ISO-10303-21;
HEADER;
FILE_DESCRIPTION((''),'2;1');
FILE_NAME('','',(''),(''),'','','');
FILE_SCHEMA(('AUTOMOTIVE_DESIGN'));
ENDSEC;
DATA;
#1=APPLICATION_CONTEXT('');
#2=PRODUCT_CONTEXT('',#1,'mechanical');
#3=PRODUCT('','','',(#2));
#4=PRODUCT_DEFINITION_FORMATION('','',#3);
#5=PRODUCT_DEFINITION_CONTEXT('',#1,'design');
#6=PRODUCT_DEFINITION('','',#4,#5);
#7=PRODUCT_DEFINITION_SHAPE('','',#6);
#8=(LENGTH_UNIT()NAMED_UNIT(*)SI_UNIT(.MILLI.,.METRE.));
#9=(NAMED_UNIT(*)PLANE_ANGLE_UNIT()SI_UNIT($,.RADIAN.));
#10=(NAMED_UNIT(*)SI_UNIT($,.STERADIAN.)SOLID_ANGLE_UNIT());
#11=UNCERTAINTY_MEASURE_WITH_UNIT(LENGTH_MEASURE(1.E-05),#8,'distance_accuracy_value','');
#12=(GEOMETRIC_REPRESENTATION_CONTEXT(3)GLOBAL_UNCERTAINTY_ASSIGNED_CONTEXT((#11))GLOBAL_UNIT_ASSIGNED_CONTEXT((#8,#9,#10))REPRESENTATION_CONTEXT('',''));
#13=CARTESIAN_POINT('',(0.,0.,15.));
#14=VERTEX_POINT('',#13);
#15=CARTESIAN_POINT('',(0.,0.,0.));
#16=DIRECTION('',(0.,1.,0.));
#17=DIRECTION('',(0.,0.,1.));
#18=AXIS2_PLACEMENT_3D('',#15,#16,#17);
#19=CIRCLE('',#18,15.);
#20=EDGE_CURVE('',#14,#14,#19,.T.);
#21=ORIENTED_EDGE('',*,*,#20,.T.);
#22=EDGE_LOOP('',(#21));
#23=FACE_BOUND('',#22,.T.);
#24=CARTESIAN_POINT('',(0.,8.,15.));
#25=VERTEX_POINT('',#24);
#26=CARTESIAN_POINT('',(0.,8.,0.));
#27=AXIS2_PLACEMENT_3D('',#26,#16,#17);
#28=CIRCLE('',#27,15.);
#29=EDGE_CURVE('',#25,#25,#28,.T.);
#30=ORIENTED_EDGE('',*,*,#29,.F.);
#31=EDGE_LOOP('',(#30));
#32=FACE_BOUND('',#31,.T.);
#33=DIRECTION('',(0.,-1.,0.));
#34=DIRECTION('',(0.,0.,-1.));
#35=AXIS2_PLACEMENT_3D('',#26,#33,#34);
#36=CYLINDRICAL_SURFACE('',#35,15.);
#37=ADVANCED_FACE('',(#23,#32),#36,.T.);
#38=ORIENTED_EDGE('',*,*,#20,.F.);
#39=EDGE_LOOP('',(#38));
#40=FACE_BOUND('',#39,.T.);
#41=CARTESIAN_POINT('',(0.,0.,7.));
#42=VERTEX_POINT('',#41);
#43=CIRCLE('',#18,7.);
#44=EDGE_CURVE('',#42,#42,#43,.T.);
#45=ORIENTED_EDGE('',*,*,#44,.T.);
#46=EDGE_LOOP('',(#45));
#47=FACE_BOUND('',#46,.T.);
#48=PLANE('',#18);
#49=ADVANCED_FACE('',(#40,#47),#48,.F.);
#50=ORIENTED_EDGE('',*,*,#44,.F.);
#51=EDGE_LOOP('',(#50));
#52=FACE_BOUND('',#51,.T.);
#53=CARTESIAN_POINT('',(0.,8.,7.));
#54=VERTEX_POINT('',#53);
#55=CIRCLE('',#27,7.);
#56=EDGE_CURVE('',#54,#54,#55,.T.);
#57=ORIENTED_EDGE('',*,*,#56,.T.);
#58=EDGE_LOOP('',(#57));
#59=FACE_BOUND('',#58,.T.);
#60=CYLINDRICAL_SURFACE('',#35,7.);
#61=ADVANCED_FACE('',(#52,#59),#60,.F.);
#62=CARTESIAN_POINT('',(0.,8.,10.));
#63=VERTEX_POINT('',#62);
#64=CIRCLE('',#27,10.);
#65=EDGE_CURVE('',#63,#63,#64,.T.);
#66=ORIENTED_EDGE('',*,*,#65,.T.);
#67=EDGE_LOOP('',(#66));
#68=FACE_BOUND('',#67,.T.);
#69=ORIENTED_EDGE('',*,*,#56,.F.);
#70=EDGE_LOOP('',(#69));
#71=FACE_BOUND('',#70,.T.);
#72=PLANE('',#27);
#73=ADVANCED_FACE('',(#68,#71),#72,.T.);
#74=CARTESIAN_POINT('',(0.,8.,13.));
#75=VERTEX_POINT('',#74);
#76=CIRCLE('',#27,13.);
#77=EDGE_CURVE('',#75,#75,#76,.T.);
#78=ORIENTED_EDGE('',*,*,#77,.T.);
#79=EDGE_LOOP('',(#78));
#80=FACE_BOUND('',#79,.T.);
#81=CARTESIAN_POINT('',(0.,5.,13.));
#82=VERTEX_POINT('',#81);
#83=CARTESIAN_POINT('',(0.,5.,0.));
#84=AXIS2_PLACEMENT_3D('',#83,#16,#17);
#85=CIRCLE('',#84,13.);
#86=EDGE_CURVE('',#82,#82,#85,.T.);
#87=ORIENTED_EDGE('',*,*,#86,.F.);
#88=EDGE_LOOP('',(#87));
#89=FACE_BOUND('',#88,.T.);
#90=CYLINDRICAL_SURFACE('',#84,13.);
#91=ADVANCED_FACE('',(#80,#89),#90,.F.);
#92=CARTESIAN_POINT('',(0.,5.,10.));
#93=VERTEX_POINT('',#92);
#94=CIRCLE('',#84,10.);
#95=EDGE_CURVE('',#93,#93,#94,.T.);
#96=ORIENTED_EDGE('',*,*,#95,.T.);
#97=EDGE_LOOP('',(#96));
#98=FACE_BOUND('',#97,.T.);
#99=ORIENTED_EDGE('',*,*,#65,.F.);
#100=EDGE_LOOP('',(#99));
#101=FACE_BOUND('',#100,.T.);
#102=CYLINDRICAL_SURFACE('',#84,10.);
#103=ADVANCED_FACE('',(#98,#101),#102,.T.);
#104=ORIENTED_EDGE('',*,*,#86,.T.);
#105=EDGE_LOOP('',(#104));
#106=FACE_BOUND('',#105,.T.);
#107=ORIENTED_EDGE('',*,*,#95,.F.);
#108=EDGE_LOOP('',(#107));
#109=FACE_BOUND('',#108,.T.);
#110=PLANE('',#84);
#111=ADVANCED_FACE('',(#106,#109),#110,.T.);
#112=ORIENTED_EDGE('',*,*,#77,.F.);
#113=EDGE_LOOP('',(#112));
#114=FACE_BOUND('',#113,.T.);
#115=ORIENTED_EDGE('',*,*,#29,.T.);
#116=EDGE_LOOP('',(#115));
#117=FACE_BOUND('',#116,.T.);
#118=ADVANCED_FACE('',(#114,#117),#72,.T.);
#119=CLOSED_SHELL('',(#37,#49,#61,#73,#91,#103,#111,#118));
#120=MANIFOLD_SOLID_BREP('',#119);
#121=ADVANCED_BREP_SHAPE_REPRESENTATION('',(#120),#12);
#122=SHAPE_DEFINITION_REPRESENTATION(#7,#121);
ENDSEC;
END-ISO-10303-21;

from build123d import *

# Parameters (mm, degrees)
SKETCH2_R           = 15
SKETCH2_R_2         = 7
BOSS_EXTRUDE1_DEPTH = 8
SKETCH3_R           = 13
SKETCH3_R_2         = 10
CUT_EXTRUDE1_DEPTH  = 3


with BuildPart() as part:
    # Sketch2 → Boss-Extrude1 (new body)
    with BuildSketch(Plane(origin=(0, 0, 0), x_dir=(1, 0, 0), z_dir=(0, 1, 0))):
        with Locations(Location((0, 0, 0), (0, 0, 270))):
            Circle(SKETCH2_R)
        with Locations(Location((0, 0, 0), (0, 0, 270))):
            Circle(SKETCH2_R_2, mode=Mode.SUBTRACT)
    extrude(amount=BOSS_EXTRUDE1_DEPTH)

    # Sketch3 → Cut-Extrude1 (cut)
    with BuildSketch(Plane(origin=(0, 8, 0), x_dir=(1, 0, 0), z_dir=(0, 1, 0))):
        with Locations(Location((0, 0, 0), (0, 0, 270))):
            Circle(SKETCH3_R)
        with Locations(Location((0, 0, 0), (0, 0, 270))):
            Circle(SKETCH3_R_2, mode=Mode.SUBTRACT)
    extrude(amount=-CUT_EXTRUDE1_DEPTH, mode=Mode.SUBTRACT)


solid = part.part
